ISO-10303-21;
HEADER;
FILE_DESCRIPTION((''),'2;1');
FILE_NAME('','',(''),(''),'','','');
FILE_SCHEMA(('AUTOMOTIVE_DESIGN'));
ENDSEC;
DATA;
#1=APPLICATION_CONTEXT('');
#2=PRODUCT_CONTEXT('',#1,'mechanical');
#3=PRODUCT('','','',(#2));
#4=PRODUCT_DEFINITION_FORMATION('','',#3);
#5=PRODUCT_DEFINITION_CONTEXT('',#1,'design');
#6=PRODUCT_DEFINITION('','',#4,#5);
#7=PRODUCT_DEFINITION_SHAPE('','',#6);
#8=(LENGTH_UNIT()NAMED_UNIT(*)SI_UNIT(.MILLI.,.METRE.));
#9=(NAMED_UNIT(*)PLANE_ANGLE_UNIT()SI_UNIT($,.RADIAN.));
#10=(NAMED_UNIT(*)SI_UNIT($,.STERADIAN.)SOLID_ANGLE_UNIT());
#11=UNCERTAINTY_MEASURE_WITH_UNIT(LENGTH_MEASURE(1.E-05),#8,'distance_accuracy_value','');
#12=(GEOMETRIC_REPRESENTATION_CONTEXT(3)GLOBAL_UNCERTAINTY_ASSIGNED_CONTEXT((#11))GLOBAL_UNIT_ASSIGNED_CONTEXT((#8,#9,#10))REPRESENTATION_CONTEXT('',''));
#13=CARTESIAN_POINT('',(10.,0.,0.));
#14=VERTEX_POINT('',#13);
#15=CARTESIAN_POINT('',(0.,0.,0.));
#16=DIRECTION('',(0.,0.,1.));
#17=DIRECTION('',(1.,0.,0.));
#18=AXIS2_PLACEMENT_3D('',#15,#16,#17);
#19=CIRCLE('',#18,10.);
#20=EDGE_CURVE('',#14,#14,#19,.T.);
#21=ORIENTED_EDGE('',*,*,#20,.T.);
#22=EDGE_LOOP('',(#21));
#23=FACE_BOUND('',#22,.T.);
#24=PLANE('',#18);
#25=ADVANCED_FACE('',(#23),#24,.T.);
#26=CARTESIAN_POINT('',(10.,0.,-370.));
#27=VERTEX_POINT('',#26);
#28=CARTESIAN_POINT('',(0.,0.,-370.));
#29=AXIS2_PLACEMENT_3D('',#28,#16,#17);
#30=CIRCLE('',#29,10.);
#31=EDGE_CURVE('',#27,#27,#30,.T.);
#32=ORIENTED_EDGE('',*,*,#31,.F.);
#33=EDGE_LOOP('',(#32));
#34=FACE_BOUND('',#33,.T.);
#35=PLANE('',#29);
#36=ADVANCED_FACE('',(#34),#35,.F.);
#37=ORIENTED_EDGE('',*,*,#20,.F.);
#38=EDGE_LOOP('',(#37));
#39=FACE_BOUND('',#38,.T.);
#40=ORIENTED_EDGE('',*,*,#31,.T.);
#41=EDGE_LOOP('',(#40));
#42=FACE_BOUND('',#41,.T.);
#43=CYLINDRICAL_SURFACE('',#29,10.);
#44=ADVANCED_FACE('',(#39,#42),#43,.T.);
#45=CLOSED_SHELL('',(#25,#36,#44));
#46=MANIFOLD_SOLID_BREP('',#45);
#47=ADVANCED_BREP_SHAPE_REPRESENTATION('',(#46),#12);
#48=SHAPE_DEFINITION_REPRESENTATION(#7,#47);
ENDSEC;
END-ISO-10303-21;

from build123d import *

# Parameters (mm, degrees)
SKIZZE2_R                       = 10
AUFSATZ_LINEAR_AUSTRAGEN1_DEPTH = 370


with BuildPart() as part:
    # Skizze2 → Aufsatz-Linear austragen1 (new body)
    with BuildSketch(Plane.XY):
        Circle(SKIZZE2_R)
    extrude(amount=-AUFSATZ_LINEAR_AUSTRAGEN1_DEPTH)


solid = part.part
